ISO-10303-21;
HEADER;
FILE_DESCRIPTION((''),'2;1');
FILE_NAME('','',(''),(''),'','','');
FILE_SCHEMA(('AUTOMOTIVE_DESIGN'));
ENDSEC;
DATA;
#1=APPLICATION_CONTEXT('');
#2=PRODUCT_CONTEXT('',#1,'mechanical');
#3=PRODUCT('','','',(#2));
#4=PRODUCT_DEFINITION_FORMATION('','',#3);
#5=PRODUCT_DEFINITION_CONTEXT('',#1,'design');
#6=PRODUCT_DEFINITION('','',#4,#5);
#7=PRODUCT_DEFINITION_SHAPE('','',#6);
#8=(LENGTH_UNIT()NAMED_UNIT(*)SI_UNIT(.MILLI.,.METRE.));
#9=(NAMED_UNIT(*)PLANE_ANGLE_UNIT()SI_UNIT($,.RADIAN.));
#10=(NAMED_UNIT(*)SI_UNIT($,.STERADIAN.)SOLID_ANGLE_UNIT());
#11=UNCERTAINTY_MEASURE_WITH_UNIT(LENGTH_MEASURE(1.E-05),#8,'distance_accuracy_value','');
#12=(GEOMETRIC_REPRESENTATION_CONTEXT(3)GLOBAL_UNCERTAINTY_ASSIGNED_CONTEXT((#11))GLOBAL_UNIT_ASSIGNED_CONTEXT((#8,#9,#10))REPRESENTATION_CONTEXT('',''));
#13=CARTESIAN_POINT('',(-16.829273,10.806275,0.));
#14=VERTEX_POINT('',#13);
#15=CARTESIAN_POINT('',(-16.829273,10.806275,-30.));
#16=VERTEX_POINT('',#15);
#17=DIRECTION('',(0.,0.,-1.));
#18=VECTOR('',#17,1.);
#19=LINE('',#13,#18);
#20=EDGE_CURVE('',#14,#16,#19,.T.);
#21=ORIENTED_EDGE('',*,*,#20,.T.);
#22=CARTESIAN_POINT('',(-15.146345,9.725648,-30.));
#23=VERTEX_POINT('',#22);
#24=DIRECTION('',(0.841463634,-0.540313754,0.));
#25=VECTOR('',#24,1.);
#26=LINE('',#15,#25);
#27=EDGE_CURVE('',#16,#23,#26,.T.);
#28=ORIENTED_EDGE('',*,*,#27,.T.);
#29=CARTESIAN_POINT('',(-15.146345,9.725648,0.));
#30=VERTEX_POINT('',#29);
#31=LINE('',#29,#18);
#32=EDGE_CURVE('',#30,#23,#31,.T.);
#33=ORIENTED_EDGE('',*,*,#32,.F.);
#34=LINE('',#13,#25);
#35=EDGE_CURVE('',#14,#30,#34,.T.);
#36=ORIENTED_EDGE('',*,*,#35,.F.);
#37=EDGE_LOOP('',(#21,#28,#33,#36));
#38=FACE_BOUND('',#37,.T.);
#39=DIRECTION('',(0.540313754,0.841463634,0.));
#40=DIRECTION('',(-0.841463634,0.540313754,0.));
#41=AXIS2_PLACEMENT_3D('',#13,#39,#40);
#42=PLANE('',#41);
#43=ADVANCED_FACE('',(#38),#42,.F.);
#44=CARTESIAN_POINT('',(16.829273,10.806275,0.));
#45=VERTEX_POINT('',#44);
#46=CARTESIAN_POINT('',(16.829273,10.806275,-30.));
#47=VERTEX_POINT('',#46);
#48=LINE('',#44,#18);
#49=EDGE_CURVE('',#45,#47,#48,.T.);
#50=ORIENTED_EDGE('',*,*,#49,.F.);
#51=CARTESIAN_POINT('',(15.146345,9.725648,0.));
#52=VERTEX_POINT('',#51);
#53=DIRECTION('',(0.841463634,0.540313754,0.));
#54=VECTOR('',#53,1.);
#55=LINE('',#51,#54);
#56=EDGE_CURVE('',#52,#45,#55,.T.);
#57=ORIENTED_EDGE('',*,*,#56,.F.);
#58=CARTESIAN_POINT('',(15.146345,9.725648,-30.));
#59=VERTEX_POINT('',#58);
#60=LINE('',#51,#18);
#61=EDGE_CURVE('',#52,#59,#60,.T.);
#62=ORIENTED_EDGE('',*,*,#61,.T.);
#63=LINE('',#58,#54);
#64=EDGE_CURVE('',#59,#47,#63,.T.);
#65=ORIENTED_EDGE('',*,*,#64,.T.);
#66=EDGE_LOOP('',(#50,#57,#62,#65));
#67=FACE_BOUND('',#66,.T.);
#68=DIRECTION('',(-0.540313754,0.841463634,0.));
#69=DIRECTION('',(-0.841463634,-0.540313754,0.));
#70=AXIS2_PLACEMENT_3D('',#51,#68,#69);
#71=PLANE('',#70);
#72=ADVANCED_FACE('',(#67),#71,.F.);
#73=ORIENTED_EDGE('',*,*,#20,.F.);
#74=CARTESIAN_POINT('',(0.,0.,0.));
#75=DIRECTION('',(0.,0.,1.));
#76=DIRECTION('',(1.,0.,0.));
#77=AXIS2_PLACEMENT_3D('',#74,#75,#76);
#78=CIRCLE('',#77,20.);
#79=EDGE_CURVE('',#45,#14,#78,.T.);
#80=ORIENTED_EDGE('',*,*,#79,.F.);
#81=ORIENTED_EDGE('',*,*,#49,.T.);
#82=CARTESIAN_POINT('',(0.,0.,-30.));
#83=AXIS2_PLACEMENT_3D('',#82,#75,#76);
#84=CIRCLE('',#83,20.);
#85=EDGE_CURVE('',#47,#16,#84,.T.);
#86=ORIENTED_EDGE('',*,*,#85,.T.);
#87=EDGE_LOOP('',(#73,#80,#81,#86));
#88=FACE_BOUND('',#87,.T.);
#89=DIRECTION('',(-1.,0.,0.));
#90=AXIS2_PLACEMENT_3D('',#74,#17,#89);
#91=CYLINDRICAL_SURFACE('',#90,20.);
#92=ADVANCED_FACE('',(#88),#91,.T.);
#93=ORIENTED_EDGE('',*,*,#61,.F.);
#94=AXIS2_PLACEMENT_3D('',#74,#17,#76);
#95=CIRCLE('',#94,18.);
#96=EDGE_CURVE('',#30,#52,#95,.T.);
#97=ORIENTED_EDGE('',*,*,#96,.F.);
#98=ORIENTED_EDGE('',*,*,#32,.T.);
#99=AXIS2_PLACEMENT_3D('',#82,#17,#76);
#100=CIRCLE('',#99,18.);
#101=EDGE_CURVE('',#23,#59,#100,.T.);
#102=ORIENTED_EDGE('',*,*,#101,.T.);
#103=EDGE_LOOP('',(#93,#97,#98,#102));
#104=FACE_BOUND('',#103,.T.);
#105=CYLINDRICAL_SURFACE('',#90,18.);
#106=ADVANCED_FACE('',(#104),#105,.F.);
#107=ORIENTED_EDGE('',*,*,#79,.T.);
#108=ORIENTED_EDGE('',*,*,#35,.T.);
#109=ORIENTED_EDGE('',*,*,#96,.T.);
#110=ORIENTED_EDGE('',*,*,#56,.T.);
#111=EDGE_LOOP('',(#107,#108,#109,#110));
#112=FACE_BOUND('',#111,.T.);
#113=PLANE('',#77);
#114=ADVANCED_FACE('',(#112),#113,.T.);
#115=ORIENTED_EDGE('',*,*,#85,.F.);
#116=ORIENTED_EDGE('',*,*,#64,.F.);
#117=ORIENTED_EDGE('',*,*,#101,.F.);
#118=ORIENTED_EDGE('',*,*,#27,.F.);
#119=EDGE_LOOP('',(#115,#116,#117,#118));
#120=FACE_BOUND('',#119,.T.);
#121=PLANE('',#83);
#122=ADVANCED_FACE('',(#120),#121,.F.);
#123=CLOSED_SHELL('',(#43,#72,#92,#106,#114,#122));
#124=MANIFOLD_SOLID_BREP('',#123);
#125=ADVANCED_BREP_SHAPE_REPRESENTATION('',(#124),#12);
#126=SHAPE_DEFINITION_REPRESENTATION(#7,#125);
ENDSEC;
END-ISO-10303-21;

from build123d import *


with BuildPart() as part:
    # Sensor Cover: sweep along a path in Sketch5
    with BuildLine(Plane(origin=(0, 0, 0), x_dir=(1, 0, 0), z_dir=(0, 1, 0))) as sensor_cover_path:
        Line((0, 0), (0, 30))
    # Sketch4 → Sensor Cover (sweep)
    with BuildSketch(Plane.XY):
        with BuildLine():
            Line((-16.829272678, 10.806275082), (-15.14634541, 9.725647574))
            ThreePointArc((-15.14634541, 9.725647574), (0, 18), (15.14634541, 9.725647574))
            Line((15.14634541, 9.725647574), (16.829272678, 10.806275082))
            ThreePointArc((16.829272678, 10.806275082), (0, 20), (-16.829272678, 10.806275082))
        make_face()
    sweep(path=sensor_cover_path.line)


solid = part.part
